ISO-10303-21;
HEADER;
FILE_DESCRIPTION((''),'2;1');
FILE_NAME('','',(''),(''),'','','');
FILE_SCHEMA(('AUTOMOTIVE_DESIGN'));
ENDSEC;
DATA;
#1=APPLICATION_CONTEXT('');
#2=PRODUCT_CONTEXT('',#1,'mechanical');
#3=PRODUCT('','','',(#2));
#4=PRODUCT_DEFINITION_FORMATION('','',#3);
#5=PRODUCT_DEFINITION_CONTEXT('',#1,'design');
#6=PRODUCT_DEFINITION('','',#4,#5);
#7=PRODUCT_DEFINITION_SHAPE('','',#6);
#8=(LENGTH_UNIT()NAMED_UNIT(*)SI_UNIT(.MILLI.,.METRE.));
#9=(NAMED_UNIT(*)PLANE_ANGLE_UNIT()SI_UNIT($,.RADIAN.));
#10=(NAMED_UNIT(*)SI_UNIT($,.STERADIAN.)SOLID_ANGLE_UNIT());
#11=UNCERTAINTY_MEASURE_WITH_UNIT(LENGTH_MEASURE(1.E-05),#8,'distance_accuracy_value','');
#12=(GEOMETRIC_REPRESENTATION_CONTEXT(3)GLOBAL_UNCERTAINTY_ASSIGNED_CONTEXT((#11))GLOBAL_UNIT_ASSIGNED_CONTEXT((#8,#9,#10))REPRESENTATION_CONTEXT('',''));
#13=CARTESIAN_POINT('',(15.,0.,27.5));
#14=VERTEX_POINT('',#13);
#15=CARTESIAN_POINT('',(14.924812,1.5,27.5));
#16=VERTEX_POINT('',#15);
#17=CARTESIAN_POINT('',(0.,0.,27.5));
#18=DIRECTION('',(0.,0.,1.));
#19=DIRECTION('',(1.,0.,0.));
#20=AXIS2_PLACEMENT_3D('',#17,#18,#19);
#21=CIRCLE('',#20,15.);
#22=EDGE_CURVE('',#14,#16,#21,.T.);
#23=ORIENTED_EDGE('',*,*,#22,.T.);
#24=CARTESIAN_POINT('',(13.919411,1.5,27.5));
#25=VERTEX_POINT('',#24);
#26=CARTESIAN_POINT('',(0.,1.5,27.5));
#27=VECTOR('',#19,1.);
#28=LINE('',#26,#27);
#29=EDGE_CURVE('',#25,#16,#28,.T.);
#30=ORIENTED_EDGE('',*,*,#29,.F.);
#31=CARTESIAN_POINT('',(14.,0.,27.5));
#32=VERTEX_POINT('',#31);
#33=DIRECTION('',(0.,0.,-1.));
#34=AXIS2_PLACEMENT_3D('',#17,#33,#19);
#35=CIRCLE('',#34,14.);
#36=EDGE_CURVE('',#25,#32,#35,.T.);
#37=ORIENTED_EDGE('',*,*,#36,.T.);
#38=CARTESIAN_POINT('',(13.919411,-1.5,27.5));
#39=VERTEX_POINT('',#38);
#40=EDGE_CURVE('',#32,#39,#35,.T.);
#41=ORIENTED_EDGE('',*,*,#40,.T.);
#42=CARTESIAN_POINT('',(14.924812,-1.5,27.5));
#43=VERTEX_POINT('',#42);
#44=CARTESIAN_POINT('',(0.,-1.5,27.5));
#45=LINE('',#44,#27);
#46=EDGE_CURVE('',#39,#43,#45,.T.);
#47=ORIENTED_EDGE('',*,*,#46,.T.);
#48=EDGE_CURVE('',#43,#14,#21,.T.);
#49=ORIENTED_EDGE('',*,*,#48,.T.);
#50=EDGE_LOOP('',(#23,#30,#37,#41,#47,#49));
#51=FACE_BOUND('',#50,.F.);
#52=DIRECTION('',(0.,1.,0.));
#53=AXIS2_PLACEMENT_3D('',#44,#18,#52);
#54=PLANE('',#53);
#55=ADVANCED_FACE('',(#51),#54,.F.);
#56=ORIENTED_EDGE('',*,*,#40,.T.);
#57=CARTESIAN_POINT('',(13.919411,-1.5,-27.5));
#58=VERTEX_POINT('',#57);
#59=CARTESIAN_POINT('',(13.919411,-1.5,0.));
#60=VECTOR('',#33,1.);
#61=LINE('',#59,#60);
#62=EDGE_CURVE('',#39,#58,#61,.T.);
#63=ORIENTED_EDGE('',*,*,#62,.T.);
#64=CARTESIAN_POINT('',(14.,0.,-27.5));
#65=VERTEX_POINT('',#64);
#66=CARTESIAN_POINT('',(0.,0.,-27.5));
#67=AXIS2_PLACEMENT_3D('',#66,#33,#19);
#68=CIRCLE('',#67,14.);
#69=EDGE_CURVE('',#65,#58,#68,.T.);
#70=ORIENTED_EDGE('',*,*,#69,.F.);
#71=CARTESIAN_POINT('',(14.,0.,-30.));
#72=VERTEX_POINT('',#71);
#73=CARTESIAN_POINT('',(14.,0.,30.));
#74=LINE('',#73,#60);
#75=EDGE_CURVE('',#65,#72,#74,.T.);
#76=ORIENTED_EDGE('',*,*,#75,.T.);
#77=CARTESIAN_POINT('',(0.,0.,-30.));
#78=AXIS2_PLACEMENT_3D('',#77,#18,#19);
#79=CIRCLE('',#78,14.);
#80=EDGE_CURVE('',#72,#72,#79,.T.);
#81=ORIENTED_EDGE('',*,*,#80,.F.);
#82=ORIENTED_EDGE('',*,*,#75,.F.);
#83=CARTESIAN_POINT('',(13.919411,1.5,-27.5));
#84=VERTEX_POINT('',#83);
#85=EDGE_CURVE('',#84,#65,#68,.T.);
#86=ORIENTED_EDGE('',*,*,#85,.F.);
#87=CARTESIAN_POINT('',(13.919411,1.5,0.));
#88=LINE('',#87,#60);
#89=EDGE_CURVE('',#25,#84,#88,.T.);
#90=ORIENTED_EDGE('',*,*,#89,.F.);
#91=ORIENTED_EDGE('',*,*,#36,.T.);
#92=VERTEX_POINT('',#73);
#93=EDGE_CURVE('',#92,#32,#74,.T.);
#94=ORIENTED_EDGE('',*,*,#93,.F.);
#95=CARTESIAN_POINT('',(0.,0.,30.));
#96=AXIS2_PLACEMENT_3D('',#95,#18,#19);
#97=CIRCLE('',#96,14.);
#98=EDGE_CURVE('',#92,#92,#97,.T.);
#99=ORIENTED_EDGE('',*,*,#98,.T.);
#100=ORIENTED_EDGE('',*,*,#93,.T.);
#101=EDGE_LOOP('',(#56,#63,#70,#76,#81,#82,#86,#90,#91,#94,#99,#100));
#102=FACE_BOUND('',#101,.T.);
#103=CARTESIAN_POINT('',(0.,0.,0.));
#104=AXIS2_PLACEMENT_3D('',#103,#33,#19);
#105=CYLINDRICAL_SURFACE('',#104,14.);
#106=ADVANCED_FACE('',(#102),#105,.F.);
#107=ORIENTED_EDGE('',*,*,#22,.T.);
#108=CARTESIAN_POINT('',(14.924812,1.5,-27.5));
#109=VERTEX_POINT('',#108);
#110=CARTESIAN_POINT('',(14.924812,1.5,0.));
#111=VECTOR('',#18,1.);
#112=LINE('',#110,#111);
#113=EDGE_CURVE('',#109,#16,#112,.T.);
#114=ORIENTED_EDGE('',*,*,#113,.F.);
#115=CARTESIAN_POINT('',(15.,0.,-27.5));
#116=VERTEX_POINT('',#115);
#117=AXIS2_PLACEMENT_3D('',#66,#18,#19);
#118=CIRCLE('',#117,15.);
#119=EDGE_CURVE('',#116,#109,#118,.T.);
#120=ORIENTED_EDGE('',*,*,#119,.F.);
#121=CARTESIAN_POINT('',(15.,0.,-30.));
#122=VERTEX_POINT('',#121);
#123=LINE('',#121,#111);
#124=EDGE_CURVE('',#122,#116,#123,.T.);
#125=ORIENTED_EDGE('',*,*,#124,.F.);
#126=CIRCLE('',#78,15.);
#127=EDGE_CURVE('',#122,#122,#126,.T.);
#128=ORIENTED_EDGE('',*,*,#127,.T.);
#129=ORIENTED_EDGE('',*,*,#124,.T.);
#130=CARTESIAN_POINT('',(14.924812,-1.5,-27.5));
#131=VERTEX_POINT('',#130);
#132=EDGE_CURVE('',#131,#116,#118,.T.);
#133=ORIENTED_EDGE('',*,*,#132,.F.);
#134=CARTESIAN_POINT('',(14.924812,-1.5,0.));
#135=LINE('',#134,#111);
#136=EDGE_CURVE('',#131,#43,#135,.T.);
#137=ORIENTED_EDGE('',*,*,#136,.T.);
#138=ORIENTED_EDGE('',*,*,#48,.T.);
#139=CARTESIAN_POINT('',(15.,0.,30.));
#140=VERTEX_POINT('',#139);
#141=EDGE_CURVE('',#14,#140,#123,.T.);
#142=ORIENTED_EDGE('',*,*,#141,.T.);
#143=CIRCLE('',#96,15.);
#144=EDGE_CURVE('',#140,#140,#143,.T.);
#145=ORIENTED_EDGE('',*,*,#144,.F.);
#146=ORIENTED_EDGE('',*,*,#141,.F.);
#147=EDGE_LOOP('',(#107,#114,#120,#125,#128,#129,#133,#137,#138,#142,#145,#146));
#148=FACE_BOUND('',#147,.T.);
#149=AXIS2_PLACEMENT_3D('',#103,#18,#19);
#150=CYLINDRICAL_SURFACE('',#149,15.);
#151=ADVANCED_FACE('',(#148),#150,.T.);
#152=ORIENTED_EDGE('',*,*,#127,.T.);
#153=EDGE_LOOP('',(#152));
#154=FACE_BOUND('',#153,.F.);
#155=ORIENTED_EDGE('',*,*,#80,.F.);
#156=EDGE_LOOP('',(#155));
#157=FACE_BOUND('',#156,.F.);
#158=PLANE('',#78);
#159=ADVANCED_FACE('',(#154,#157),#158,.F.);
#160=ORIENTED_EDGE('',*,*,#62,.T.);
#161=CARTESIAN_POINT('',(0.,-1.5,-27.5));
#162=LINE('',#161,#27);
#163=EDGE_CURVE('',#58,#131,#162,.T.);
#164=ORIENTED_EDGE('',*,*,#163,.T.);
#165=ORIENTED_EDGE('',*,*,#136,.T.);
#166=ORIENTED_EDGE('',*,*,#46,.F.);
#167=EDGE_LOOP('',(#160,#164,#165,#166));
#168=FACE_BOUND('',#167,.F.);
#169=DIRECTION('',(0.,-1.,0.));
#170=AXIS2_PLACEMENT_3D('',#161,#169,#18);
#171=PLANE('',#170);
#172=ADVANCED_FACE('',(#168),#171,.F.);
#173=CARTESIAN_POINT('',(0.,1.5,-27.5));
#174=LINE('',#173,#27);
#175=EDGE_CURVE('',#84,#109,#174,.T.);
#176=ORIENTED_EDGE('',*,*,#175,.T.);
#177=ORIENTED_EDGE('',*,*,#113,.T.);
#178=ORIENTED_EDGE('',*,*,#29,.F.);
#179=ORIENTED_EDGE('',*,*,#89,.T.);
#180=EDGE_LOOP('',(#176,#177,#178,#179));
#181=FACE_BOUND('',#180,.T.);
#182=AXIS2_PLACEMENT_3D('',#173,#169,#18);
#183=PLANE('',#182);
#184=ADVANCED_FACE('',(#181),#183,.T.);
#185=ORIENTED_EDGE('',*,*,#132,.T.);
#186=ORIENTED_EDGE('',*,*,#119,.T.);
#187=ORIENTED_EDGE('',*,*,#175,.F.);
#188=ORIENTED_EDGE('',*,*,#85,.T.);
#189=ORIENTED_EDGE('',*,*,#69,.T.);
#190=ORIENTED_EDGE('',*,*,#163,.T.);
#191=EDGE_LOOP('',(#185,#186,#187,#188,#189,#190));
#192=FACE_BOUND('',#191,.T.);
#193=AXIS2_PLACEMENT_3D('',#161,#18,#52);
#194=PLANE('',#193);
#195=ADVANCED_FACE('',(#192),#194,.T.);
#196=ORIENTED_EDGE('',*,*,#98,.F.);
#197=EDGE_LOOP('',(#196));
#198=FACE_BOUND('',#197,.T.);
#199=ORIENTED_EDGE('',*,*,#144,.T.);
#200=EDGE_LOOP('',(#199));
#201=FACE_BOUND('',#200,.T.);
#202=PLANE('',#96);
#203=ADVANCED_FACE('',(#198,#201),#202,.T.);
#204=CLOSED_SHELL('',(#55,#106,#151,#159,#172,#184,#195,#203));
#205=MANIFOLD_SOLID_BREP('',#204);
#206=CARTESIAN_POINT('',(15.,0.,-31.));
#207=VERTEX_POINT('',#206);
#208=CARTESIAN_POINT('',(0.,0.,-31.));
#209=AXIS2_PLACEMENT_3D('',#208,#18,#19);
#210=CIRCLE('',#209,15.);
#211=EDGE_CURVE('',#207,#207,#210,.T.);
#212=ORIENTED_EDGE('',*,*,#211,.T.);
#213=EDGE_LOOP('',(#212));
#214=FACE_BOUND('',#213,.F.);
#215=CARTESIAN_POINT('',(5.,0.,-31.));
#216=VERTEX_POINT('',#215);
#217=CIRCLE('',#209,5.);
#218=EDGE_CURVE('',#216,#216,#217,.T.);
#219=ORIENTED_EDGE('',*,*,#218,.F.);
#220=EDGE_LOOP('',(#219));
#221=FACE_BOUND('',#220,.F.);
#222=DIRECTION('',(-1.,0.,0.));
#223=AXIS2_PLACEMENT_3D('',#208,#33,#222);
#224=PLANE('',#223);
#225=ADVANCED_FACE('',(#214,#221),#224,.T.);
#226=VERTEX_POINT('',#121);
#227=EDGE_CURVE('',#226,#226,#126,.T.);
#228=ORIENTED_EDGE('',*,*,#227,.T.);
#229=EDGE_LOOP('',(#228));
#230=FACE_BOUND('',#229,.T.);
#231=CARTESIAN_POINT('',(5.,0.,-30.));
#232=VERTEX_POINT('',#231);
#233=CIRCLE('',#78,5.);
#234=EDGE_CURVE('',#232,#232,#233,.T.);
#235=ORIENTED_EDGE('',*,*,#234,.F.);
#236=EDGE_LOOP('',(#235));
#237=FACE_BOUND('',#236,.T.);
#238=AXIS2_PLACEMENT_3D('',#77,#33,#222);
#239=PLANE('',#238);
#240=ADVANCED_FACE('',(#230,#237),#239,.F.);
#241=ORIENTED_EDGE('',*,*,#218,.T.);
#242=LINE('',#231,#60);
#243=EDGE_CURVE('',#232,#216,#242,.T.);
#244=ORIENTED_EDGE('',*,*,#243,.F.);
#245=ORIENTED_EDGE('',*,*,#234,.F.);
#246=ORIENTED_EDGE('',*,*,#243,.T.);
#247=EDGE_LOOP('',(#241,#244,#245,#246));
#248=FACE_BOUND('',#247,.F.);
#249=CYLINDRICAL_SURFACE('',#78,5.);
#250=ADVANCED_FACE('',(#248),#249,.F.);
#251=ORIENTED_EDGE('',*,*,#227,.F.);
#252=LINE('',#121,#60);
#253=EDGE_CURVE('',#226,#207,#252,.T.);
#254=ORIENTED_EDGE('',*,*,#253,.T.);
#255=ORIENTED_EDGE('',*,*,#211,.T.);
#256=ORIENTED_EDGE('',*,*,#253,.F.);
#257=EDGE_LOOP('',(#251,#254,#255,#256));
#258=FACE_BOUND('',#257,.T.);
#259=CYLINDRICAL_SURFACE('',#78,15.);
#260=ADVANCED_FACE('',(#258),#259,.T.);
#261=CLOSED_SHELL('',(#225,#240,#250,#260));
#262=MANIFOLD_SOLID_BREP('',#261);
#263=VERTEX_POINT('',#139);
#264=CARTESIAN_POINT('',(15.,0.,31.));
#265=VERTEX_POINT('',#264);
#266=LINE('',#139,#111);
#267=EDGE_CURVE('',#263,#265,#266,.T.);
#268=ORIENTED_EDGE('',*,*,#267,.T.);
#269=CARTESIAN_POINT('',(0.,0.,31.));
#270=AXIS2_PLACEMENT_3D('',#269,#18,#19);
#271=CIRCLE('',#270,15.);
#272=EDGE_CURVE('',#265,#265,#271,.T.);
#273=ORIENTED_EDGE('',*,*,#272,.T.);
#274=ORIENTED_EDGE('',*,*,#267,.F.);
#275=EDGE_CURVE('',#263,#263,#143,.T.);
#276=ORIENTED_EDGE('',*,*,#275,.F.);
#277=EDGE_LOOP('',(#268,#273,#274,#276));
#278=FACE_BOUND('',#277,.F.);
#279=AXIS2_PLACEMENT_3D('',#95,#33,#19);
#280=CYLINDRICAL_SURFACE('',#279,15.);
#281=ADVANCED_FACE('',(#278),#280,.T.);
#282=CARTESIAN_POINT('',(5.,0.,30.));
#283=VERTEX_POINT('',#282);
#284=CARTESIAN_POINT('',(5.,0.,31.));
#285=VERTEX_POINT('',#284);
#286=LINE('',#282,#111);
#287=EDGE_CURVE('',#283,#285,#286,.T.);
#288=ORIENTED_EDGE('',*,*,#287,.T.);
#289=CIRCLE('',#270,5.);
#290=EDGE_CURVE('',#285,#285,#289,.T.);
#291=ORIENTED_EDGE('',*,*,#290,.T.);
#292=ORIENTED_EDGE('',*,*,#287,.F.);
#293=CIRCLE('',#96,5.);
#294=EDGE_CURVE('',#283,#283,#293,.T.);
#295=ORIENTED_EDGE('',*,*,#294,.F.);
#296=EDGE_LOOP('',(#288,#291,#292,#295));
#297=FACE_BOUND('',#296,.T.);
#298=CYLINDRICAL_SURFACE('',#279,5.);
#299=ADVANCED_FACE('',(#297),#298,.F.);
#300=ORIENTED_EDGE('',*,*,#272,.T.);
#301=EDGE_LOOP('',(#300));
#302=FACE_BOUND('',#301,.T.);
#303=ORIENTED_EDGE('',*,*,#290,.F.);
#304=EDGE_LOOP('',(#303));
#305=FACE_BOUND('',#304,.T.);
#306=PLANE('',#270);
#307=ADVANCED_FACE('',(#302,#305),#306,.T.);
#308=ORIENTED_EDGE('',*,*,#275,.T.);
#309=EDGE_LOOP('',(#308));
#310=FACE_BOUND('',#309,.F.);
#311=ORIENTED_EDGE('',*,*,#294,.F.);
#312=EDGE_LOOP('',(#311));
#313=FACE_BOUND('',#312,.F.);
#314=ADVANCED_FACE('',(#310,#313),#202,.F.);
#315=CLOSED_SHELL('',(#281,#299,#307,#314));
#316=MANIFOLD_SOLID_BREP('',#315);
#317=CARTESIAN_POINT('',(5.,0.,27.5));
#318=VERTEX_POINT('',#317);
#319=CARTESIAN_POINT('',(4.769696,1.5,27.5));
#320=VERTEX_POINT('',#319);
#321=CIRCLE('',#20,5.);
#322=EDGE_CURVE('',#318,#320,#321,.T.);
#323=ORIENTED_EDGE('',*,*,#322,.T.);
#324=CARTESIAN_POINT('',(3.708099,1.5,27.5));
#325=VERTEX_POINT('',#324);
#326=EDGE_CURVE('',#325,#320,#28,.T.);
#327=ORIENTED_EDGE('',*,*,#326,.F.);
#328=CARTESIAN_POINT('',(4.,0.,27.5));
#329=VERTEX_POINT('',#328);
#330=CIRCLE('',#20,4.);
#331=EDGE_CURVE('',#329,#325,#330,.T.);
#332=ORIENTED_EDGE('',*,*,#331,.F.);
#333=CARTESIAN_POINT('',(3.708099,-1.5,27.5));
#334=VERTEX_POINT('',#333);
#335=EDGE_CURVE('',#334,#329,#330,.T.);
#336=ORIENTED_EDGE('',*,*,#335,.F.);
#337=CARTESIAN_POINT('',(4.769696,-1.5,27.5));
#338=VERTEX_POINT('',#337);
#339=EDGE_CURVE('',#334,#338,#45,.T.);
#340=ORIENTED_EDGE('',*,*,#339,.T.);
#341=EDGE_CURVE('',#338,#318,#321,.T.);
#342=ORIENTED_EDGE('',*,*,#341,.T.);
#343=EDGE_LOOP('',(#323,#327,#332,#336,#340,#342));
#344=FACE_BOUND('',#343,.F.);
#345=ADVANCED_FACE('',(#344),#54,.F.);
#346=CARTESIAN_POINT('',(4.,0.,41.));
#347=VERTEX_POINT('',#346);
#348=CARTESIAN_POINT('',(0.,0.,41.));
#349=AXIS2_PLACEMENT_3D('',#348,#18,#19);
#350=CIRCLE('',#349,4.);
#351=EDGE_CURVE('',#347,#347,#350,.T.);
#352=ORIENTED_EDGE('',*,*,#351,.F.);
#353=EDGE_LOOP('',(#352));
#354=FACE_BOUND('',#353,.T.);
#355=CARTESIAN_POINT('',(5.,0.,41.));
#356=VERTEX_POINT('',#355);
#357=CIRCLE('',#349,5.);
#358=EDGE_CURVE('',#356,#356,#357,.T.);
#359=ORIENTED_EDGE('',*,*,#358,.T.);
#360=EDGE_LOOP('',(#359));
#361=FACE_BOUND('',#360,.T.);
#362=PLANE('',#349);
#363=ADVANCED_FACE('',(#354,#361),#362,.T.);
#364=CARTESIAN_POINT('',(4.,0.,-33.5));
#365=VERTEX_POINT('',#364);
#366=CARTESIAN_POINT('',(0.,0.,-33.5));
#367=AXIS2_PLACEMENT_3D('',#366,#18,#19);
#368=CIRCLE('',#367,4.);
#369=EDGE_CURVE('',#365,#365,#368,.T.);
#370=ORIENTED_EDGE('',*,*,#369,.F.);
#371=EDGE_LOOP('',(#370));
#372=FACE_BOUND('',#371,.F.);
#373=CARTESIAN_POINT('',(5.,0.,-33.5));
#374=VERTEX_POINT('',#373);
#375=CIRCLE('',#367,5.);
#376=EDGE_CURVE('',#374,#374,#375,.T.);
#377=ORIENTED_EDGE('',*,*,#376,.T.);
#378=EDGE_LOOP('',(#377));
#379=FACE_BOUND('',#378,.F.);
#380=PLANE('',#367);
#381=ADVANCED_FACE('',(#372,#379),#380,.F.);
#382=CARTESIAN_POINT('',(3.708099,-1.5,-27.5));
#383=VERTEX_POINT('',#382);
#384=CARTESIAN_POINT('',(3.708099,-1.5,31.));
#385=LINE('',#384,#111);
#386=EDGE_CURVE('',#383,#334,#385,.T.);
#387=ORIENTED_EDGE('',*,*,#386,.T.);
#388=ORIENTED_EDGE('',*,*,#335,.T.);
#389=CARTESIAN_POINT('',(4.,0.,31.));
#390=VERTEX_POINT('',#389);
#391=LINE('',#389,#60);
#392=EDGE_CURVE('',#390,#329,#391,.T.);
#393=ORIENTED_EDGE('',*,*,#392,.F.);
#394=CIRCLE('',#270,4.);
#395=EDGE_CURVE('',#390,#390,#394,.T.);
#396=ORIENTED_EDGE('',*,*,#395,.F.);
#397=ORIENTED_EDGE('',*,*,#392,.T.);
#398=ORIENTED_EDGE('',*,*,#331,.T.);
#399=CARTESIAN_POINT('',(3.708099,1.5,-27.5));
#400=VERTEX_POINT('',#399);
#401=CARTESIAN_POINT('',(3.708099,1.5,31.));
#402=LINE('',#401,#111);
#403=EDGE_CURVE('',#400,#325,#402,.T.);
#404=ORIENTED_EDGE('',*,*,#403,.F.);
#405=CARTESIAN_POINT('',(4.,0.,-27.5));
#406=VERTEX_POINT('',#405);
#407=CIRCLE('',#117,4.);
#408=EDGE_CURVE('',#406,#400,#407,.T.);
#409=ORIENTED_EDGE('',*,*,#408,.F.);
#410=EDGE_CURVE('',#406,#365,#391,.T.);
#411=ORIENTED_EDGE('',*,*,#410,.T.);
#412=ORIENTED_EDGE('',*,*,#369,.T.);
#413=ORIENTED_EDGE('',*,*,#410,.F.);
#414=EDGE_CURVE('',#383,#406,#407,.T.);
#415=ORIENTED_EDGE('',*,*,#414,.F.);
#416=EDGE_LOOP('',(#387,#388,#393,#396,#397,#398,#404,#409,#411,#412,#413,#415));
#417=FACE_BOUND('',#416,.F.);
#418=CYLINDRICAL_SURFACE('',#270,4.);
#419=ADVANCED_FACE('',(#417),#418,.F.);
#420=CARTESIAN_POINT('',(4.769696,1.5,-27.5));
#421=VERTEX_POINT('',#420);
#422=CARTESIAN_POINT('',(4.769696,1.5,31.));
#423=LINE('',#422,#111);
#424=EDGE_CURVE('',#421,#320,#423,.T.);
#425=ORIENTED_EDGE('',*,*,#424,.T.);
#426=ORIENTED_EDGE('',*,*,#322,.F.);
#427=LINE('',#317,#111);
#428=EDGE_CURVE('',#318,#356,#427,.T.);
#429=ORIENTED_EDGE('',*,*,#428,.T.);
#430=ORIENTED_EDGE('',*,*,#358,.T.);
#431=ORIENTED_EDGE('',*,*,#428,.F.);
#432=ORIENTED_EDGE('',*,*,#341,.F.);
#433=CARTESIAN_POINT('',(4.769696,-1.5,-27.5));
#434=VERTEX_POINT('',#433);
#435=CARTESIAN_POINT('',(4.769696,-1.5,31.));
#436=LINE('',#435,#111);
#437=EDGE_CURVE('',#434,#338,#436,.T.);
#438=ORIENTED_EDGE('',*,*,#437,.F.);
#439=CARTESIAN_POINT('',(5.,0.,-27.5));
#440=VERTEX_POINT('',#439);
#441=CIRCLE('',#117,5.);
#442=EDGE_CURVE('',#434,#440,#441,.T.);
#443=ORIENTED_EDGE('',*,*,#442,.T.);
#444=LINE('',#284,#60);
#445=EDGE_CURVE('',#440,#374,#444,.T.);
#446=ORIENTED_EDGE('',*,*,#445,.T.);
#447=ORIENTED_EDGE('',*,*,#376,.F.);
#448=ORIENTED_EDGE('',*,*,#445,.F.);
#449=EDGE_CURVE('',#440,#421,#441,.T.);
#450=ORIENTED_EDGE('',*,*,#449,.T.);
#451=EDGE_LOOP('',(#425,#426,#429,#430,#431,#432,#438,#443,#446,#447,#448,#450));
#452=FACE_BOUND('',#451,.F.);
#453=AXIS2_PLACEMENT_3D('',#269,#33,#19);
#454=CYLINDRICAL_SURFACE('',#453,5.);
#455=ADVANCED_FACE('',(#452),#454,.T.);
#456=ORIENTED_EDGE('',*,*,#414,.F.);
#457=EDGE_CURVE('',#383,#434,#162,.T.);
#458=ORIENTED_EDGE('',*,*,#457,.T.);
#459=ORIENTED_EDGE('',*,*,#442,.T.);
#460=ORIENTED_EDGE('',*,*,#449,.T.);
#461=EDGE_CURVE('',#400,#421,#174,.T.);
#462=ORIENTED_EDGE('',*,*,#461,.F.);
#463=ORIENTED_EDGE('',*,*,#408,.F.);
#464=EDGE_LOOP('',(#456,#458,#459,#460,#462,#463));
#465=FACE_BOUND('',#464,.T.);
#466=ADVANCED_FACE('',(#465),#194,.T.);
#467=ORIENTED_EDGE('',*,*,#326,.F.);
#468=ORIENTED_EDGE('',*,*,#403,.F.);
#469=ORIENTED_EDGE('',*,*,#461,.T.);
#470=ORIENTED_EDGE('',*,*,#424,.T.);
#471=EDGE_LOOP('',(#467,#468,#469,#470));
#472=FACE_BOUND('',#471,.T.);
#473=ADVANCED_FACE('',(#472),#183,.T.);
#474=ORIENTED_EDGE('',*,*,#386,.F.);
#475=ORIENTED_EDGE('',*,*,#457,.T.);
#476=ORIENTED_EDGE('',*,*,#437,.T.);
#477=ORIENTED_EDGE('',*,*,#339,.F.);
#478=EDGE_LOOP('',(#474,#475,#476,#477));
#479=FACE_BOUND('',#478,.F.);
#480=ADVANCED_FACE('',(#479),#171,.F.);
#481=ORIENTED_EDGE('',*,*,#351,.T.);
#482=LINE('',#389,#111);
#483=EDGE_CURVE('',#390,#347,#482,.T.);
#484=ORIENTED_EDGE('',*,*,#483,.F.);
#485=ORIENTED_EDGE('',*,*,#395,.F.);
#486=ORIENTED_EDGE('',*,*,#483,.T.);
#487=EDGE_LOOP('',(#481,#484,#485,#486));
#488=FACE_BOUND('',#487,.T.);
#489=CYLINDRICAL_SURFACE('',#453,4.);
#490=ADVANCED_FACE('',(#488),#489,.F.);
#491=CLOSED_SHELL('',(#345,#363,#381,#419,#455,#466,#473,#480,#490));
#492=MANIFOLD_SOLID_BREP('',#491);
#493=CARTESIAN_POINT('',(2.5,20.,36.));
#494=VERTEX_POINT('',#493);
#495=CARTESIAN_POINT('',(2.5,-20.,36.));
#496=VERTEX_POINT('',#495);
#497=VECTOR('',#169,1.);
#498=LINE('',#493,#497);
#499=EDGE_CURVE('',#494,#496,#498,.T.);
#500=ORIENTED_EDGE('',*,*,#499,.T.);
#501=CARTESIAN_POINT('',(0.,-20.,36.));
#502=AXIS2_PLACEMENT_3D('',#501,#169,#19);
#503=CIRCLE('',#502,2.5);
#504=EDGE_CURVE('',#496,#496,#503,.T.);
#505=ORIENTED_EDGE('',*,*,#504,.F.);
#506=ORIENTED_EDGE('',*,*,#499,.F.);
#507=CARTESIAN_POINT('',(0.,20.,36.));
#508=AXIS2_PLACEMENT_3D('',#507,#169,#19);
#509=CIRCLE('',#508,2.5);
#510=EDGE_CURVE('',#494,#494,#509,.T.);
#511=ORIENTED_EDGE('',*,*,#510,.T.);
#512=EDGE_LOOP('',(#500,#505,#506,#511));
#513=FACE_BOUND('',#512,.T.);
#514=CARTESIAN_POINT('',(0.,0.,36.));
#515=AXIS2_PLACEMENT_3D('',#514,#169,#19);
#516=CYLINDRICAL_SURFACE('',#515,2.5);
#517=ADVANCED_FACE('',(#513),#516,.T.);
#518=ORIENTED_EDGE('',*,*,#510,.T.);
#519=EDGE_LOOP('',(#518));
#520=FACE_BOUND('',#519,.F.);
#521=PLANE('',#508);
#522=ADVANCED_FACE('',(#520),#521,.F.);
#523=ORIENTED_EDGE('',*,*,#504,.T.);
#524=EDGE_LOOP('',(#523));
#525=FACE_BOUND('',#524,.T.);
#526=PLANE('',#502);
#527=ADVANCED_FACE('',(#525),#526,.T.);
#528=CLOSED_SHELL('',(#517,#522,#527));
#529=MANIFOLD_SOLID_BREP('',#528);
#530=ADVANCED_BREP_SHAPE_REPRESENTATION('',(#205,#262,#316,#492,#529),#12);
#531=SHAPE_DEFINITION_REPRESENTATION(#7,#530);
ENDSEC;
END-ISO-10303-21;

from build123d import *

# Parameters (mm, degrees)
F0_R          = 15
F0_R_2        = 14
F1_DEPTH      = 30
F2_R          = 15
F2_R_2        = 5
F3_DEPTH      = 1
F5_R          = 5
F5_R_2        = 4
F6_DEPTH      = 64.5
F6_DEPTH_BACK = 10
F7_W          = 3
F7_H          = 55
F8_DEPTH      = 25
F9_R          = 2.5
F10_DEPTH     = 20


with BuildPart() as f1:
    # F0 (on Top) → F1 (new body, symmetric)
    with BuildSketch(Plane.XY):
        Circle(F0_R)
        Circle(F0_R_2, mode=Mode.SUBTRACT)
    extrude(amount=F1_DEPTH, both=True)


with BuildPart() as f3:
    # F2 (on face) → F3 (new body)
    with BuildSketch(Plane.XY.offset(30)):
        Circle(F2_R)
        Circle(F2_R_2, mode=Mode.SUBTRACT)
    extrude(amount=F3_DEPTH)


with BuildPart() as f4_1:
    # F4: instance of F3
    add(f3.part.mirror(Plane.XY))


with BuildPart() as f6:
    # F5 (on face) → F6 (new body, two sides)
    with BuildSketch(Plane.XY.offset(31)) as f6_sk:
        Circle(F5_R)
        Circle(F5_R_2, mode=Mode.SUBTRACT)
    extrude(amount=-F6_DEPTH)
    extrude(f6_sk.sketch, amount=F6_DEPTH_BACK)


with BuildPart() as f8_tool:
    # F7 (on Right) → F8 (new body)
    with BuildSketch(Plane.YZ):
        Rectangle(F7_W, F7_H)
    extrude(amount=F8_DEPTH)


with BuildPart() as f1_1:
    add(f1.part)

    # F8: cut by f8_tool
    add(f8_tool.part, mode=Mode.SUBTRACT)


with BuildPart() as f6_1:
    add(f6.part)

    # F8: cut by f8_tool
    add(f8_tool.part, mode=Mode.SUBTRACT)


with BuildPart() as f10:
    # F9 (on Front) → F10 (new body, symmetric)
    with BuildSketch(Plane.XZ):
        with Locations((0, 36)):
            Circle(F9_R)
    extrude(amount=F10_DEPTH, both=True)


solid = Compound([f3.part, f4_1.part, f1_1.part, f6_1.part, f10.part])
